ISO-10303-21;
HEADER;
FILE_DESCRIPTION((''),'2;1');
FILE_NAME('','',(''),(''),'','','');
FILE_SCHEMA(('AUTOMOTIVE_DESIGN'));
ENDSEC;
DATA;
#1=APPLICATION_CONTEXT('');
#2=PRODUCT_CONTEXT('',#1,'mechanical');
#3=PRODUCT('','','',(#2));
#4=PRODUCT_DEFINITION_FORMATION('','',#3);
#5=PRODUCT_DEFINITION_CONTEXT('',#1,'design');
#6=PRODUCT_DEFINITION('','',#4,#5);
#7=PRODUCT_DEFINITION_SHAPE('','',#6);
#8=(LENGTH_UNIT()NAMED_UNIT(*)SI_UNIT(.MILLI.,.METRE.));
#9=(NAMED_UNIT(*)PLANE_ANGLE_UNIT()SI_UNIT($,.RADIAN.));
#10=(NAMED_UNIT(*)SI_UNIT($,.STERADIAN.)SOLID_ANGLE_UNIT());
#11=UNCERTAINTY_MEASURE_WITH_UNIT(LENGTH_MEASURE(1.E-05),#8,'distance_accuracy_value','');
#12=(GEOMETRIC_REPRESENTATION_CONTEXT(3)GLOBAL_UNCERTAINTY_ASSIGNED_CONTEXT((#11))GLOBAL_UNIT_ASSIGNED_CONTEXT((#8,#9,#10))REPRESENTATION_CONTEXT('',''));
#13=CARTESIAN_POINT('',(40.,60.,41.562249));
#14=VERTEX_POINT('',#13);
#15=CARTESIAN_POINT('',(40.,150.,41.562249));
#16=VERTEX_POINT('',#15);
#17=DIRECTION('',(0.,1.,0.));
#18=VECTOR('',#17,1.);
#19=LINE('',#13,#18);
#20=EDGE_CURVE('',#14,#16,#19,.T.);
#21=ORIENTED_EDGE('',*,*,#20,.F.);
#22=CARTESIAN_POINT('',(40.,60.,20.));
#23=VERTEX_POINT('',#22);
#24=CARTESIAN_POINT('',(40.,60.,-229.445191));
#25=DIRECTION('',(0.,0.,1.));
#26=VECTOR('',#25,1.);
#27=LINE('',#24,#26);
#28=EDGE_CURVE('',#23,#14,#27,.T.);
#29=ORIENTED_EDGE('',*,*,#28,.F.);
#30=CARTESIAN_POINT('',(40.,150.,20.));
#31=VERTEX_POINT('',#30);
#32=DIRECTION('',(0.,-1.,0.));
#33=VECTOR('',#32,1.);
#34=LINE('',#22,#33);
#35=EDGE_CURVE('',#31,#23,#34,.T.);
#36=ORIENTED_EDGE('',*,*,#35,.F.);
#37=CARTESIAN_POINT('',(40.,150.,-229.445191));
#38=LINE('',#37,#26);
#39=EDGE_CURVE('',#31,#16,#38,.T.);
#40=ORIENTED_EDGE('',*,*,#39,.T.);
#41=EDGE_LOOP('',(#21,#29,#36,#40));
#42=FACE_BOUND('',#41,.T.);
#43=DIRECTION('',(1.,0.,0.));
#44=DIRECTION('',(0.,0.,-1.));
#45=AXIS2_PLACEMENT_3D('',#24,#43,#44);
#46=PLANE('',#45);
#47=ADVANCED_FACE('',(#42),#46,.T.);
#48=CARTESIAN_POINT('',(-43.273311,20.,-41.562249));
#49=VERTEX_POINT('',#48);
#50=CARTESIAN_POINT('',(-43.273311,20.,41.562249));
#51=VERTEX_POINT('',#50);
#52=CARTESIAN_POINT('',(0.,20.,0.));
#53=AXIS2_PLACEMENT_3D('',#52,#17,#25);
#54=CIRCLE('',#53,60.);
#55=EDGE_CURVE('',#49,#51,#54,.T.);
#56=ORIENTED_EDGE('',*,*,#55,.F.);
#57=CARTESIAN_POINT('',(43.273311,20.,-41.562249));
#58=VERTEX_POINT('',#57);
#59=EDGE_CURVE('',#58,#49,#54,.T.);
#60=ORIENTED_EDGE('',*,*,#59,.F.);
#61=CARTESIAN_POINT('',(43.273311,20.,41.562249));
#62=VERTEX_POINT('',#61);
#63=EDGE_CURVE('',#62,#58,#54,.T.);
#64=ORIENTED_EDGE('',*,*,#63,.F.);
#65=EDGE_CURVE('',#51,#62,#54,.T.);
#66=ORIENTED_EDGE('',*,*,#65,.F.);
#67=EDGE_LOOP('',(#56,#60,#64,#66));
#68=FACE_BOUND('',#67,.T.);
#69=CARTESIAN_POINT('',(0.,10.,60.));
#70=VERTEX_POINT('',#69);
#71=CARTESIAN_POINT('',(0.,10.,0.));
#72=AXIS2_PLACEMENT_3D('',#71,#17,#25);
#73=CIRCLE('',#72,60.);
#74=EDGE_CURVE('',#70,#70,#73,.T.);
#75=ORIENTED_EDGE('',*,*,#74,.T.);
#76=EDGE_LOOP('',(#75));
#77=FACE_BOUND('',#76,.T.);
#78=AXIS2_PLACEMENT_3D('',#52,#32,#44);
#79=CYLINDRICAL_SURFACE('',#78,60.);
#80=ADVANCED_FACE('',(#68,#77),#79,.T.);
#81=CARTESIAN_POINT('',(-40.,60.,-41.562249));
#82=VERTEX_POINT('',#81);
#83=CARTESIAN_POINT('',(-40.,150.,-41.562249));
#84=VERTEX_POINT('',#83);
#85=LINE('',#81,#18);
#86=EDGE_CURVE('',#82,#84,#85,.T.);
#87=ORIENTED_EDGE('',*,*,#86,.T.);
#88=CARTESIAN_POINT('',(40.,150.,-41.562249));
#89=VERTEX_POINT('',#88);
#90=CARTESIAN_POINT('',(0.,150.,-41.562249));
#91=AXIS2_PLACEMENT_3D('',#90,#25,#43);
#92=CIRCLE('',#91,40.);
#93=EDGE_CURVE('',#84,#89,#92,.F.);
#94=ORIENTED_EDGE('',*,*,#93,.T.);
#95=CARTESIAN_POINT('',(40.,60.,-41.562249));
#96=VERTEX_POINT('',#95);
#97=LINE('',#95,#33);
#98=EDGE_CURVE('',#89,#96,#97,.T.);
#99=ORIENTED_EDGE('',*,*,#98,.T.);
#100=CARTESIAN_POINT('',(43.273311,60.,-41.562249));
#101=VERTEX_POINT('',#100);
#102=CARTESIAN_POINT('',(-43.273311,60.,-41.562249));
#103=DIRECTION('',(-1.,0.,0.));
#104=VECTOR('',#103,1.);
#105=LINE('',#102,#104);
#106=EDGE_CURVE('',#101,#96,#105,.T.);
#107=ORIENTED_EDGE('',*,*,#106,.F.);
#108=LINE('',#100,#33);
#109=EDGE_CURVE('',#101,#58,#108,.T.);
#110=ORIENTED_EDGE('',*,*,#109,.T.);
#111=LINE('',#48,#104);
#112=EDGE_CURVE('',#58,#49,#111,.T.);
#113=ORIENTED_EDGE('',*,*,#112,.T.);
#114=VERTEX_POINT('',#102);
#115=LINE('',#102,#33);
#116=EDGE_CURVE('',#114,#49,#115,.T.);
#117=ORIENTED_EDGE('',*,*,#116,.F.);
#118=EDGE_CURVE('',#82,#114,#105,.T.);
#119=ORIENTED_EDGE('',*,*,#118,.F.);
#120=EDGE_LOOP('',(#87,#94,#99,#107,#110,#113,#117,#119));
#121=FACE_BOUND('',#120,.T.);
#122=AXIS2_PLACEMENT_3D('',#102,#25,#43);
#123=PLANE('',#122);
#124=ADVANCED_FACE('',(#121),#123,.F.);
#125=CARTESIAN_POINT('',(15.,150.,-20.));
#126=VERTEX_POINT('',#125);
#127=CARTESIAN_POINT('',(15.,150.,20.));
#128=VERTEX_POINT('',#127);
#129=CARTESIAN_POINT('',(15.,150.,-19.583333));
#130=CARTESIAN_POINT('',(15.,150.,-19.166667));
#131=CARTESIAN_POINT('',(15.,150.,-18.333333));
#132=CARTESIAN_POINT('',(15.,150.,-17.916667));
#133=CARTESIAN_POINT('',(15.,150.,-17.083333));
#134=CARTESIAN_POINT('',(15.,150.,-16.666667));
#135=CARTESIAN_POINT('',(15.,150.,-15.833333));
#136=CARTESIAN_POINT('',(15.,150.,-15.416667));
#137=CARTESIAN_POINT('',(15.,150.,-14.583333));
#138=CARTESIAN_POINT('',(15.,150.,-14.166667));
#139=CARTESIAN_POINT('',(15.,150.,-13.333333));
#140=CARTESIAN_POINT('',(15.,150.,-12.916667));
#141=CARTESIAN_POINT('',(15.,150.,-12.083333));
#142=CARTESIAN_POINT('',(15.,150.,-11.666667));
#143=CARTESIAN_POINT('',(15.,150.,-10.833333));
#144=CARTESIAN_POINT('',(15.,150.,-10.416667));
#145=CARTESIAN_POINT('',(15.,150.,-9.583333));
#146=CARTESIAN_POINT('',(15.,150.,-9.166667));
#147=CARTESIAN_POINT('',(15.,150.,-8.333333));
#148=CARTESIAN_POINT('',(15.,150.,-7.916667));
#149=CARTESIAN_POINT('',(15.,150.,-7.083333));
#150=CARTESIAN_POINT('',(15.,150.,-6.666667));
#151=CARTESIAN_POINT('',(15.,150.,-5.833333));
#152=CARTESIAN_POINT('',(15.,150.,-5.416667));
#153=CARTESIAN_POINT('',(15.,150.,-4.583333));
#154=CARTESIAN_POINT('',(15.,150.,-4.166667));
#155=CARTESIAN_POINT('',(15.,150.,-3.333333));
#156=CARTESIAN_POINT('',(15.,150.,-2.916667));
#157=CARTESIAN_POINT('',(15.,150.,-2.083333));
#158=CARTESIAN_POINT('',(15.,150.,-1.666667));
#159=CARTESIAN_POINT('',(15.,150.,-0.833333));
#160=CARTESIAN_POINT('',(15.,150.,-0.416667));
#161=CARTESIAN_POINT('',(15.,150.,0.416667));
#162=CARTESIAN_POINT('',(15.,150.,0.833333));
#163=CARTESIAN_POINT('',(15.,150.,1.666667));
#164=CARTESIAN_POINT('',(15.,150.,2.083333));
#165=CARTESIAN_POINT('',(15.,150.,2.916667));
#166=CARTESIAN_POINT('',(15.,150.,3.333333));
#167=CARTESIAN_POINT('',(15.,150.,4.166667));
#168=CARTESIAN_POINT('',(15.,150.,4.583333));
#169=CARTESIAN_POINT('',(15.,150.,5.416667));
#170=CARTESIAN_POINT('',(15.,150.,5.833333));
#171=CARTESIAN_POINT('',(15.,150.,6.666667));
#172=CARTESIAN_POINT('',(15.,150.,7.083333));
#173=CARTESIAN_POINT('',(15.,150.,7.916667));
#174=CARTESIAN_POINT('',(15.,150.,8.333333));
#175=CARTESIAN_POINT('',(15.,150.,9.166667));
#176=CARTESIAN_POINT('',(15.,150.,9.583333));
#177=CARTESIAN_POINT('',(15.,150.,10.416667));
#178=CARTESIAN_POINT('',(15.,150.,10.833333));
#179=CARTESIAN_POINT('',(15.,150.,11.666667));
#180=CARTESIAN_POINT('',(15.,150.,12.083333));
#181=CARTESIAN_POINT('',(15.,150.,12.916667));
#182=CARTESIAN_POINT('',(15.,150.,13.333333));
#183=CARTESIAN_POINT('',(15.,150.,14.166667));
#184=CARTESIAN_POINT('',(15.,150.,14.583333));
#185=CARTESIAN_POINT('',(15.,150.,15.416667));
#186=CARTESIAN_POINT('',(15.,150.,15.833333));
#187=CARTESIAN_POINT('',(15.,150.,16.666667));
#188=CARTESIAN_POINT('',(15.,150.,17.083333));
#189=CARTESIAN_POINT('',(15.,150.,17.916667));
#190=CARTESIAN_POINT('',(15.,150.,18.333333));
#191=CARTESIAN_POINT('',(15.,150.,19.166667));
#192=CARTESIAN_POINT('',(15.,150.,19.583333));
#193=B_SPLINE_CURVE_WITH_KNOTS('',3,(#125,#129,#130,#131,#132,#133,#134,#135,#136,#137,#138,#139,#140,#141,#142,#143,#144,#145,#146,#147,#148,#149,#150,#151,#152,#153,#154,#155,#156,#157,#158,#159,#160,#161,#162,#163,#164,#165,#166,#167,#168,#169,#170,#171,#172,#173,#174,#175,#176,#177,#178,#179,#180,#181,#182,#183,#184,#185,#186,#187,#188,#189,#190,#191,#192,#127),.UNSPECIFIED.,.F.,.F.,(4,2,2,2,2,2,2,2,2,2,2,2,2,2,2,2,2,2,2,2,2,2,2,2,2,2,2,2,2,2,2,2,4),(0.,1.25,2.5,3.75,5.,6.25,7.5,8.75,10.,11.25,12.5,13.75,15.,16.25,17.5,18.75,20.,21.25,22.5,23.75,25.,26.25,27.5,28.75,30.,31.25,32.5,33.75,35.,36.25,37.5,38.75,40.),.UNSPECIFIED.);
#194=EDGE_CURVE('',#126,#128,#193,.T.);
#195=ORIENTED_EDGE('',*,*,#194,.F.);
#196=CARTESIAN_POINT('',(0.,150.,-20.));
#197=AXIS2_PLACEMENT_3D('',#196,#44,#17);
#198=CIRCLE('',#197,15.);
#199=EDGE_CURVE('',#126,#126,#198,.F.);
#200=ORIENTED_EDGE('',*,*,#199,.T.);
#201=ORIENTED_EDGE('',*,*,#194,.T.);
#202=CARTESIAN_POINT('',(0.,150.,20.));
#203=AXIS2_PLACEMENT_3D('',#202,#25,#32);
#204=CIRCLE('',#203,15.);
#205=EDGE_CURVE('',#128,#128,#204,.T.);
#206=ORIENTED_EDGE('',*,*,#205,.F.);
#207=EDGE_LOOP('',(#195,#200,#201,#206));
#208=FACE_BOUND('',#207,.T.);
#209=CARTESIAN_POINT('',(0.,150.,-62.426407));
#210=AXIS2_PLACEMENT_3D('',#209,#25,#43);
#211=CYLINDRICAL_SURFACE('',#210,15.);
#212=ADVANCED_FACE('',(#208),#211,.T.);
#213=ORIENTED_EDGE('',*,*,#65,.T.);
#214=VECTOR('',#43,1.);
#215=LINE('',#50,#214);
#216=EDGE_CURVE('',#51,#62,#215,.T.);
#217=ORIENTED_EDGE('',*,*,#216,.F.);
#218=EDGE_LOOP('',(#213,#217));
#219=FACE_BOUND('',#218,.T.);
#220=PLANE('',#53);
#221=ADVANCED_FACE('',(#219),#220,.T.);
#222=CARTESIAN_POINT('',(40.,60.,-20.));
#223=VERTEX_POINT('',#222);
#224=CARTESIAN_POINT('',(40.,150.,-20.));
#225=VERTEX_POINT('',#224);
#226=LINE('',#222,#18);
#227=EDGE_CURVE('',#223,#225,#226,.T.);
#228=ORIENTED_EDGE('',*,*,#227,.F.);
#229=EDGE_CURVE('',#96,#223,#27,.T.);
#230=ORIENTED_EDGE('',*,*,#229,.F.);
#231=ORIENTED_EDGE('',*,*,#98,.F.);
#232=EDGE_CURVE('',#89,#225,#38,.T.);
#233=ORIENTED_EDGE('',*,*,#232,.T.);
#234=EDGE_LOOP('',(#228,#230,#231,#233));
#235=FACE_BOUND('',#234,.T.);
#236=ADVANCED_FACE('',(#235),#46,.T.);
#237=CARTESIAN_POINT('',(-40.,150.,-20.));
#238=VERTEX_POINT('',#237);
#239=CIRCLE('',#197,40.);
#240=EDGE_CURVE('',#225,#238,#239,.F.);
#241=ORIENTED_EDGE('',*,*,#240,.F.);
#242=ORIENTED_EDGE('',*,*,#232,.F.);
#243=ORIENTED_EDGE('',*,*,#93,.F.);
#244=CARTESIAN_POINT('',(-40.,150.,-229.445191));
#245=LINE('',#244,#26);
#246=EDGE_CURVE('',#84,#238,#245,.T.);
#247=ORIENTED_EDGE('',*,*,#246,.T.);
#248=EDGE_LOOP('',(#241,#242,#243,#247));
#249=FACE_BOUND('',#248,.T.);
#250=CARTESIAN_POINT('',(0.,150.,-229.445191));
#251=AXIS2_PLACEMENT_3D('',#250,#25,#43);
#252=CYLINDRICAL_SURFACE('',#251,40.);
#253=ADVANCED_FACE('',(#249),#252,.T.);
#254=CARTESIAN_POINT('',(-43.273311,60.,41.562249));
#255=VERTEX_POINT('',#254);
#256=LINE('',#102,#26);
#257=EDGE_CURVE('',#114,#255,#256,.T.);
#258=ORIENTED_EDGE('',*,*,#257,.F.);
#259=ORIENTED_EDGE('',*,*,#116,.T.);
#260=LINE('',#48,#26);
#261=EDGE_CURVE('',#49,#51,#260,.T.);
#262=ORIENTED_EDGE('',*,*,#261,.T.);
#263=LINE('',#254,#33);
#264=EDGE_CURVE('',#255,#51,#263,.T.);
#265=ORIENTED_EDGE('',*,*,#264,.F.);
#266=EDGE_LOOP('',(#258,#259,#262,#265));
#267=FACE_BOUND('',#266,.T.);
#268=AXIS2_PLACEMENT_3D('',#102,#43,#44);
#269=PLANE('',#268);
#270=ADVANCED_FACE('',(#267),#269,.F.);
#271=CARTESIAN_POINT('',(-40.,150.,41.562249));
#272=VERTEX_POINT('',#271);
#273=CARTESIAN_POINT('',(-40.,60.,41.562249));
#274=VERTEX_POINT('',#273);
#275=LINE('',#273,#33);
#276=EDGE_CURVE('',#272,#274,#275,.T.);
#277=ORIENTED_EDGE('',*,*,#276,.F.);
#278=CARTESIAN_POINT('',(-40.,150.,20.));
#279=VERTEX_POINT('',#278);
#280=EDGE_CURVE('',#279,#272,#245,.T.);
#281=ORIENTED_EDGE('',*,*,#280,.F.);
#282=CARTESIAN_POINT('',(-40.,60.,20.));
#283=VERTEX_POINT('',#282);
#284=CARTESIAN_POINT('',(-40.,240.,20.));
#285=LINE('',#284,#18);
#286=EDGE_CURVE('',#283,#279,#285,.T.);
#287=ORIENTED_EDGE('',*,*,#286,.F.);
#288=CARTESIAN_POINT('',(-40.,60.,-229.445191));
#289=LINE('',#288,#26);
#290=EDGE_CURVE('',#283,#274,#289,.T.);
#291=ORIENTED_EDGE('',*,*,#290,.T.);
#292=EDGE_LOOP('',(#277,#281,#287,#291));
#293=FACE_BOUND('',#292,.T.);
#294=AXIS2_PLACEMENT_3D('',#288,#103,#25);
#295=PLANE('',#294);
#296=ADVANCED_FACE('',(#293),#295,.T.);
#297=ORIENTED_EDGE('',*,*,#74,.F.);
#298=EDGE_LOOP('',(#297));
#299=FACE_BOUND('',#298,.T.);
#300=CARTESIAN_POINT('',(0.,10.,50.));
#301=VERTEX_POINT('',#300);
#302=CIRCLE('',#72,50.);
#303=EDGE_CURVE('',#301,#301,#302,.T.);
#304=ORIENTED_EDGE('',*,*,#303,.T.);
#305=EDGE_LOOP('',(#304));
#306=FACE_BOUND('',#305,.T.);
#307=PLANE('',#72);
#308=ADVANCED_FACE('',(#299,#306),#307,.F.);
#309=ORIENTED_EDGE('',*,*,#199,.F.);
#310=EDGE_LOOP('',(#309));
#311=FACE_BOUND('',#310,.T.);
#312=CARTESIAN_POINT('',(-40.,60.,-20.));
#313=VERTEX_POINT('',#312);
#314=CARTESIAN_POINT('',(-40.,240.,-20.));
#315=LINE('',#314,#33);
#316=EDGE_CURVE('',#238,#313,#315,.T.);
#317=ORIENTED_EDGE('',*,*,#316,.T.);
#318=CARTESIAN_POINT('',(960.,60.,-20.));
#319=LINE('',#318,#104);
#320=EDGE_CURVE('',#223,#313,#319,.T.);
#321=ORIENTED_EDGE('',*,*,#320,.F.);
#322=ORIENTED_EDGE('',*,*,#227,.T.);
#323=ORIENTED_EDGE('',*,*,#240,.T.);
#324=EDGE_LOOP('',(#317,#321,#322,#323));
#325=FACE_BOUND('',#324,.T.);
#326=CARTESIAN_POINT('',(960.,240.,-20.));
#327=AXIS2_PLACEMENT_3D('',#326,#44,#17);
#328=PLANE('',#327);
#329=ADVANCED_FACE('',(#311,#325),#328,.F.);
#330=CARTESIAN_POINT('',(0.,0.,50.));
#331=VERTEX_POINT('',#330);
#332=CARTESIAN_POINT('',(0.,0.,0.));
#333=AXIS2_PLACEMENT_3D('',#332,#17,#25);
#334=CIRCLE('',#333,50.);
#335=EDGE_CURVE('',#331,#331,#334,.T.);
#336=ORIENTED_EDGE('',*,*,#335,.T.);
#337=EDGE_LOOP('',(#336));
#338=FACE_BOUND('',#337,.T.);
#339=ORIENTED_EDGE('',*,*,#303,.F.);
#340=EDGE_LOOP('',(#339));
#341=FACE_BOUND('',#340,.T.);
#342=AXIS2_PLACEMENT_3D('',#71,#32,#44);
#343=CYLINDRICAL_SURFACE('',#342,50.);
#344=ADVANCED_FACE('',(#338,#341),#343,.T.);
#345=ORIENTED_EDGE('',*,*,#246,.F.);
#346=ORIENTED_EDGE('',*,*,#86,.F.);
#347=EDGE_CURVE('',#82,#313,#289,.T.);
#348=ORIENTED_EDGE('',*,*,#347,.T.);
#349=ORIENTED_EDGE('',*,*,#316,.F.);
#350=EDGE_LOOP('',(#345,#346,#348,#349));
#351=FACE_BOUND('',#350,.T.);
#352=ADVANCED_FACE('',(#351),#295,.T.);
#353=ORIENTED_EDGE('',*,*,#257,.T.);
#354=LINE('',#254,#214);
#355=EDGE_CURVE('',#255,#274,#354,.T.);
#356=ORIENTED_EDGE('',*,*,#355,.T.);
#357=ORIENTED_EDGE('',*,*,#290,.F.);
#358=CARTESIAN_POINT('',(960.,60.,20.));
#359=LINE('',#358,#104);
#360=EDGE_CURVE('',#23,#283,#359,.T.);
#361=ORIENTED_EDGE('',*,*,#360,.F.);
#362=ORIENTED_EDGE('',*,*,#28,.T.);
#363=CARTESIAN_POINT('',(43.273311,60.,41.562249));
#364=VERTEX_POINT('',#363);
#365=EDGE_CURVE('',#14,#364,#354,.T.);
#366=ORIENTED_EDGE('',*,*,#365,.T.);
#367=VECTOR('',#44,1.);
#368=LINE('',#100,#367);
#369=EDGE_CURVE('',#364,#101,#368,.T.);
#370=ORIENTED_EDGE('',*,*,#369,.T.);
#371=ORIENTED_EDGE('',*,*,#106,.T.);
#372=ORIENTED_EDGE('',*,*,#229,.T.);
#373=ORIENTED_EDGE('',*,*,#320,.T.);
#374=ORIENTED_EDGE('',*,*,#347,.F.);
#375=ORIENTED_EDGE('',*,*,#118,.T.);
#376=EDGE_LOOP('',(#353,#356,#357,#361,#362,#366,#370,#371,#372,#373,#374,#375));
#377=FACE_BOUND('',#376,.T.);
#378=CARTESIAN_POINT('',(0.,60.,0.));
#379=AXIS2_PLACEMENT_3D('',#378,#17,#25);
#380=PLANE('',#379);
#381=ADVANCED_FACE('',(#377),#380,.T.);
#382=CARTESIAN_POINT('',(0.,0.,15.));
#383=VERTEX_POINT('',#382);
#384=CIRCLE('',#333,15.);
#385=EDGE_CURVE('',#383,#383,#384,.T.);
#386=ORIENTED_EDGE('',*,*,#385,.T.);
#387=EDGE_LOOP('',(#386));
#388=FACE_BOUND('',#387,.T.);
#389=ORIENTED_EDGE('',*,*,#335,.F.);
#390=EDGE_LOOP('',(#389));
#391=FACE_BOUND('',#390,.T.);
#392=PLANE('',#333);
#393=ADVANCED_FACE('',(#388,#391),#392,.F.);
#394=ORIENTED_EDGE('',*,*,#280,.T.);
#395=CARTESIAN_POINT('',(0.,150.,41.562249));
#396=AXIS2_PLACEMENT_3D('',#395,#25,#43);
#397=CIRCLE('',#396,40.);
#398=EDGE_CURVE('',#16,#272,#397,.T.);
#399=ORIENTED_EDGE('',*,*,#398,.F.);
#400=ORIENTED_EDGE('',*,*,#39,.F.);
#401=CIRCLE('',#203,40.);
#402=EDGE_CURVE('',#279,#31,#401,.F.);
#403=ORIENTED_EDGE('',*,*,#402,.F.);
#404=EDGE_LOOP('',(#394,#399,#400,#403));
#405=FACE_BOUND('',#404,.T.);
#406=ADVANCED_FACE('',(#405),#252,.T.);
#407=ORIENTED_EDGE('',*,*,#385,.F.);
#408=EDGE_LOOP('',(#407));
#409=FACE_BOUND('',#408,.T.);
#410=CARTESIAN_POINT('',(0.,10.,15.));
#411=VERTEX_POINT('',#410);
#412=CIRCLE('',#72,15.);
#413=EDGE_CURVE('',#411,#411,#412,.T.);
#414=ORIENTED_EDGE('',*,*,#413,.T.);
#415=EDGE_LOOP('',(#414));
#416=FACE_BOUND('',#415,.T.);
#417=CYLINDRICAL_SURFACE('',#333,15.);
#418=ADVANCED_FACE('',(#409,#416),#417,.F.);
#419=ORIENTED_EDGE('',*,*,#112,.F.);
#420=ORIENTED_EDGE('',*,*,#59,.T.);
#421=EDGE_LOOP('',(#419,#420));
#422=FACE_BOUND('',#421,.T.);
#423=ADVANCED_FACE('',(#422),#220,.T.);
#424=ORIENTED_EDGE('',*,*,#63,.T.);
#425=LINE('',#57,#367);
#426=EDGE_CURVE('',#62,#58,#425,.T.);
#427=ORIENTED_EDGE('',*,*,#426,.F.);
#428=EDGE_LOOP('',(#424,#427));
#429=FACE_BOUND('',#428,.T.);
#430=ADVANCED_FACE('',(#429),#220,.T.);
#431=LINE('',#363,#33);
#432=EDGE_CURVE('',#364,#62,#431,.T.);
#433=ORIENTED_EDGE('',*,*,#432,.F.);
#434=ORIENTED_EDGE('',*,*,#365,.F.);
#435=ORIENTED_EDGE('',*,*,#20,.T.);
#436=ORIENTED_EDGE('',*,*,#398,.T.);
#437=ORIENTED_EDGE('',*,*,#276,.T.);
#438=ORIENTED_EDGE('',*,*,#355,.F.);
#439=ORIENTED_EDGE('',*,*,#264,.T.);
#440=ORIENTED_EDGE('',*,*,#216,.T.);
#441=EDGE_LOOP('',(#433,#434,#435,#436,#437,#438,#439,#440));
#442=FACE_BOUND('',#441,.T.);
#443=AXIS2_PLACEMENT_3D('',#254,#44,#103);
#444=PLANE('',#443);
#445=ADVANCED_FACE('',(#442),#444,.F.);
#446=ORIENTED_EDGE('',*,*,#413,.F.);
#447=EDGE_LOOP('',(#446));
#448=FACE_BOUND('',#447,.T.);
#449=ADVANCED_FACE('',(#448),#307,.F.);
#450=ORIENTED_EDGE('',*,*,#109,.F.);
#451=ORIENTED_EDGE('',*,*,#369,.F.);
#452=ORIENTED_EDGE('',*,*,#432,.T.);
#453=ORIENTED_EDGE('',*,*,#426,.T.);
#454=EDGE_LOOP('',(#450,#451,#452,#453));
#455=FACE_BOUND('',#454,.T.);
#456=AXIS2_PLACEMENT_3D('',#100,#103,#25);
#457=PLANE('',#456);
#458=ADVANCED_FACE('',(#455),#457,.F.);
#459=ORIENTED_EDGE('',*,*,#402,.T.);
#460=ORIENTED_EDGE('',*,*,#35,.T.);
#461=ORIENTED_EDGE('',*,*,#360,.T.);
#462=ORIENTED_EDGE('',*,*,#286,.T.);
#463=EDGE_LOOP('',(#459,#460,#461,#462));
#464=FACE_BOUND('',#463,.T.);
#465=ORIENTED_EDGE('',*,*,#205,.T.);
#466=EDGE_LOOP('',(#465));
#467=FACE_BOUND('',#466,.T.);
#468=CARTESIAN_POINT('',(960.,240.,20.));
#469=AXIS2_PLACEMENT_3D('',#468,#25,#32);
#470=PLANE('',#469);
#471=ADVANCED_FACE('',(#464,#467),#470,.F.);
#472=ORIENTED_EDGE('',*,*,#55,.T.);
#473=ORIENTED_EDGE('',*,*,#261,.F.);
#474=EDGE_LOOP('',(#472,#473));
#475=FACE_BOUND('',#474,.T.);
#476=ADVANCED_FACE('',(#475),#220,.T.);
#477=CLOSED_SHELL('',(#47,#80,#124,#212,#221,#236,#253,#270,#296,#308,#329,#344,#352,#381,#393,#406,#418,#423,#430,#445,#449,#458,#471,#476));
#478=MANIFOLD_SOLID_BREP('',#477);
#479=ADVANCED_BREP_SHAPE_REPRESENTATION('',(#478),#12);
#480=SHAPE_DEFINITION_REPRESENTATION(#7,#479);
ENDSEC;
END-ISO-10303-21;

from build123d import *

# Parameters (mm, degrees)
SKETCH1_R            = 50
BOSS_EXTRUDE1_DEPTH  = 10
SKETCH2_R            = 15
CUT_EXTRUDE1_DEPTH   = 10
SKETCH3_R            = 60
BOSS_EXTRUDE2_DEPTH  = 10
SKETCH4_W            = 86.5466222
SKETCH4_H            = 83.124498108
BOSS_EXTRUDE3_DEPTH  = 40
BOSS_EXTRUDE9_DEPTH  = 83.124498108
SKETCH16_W           = 40
SKETCH16_H           = 180
CUT_EXTRUDE6_DEPTH   = 1000
SKETCH17_R           = 15
BOSS_EXTRUDE10_DEPTH = 61.562249054


with BuildPart() as part:
    # Sketch1 → Boss-Extrude1 (new body)
    with BuildSketch(Plane(origin=(0, 0, 0), x_dir=(1, 0, 0), z_dir=(0, 1, 0))):
        with Locations(Location((0, 0, 0), (0, 0, 270))):
            Circle(SKETCH1_R)
    extrude(amount=BOSS_EXTRUDE1_DEPTH)

    # Sketch2 → Cut-Extrude1 (cut)
    with BuildSketch(Plane(origin=(0, 10, 0), x_dir=(1, 0, 0), z_dir=(0, 1, 0))):
        with Locations(Location((0, 0, 0), (0, 0, 270))):
            Circle(SKETCH2_R)
    extrude(amount=-CUT_EXTRUDE1_DEPTH, mode=Mode.SUBTRACT)

    # Sketch3 → Boss-Extrude2 (add)
    with BuildSketch(Plane(origin=(0, 10, 0), x_dir=(1, 0, 0), z_dir=(0, 1, 0))):
        with Locations(Location((0, 0, 0), (0, 0, 270))):
            Circle(SKETCH3_R)
    extrude(amount=BOSS_EXTRUDE2_DEPTH)

    # Sketch4 → Boss-Extrude3 (add)
    with BuildSketch(Plane(origin=(0, 20, 0), x_dir=(1, 0, 0), z_dir=(0, 1, 0))):
        Rectangle(SKETCH4_W, SKETCH4_H)
    extrude(amount=BOSS_EXTRUDE3_DEPTH)

    # Sketch15 → Boss-Extrude9 (add)
    with BuildSketch(Plane.XY.offset(41.562249054)):
        with BuildLine():
            Line((-40, 60), (-40, 150))
            ThreePointArc((-40, 150), (0, 190), (40, 150))
            Line((40, 150), (40, 60))
            ThreePointArc((40, 60), (0, 20), (-40, 60))
        make_face()
    extrude(amount=-BOSS_EXTRUDE9_DEPTH)

    # Sketch16 → Cut-Extrude6 (cut)
    with BuildSketch(Plane.ZY.offset(40)):
        with Locations((0, 150)):
            Rectangle(SKETCH16_W, SKETCH16_H)
    extrude(amount=-CUT_EXTRUDE6_DEPTH, mode=Mode.SUBTRACT)

    # Sketch17 → Boss-Extrude10 (add)
    with BuildSketch(Plane.XY.offset(41.562249054)):
        with Locations((0, 150)):
            Circle(SKETCH17_R)
    extrude(amount=-BOSS_EXTRUDE10_DEPTH)


solid = part.part
